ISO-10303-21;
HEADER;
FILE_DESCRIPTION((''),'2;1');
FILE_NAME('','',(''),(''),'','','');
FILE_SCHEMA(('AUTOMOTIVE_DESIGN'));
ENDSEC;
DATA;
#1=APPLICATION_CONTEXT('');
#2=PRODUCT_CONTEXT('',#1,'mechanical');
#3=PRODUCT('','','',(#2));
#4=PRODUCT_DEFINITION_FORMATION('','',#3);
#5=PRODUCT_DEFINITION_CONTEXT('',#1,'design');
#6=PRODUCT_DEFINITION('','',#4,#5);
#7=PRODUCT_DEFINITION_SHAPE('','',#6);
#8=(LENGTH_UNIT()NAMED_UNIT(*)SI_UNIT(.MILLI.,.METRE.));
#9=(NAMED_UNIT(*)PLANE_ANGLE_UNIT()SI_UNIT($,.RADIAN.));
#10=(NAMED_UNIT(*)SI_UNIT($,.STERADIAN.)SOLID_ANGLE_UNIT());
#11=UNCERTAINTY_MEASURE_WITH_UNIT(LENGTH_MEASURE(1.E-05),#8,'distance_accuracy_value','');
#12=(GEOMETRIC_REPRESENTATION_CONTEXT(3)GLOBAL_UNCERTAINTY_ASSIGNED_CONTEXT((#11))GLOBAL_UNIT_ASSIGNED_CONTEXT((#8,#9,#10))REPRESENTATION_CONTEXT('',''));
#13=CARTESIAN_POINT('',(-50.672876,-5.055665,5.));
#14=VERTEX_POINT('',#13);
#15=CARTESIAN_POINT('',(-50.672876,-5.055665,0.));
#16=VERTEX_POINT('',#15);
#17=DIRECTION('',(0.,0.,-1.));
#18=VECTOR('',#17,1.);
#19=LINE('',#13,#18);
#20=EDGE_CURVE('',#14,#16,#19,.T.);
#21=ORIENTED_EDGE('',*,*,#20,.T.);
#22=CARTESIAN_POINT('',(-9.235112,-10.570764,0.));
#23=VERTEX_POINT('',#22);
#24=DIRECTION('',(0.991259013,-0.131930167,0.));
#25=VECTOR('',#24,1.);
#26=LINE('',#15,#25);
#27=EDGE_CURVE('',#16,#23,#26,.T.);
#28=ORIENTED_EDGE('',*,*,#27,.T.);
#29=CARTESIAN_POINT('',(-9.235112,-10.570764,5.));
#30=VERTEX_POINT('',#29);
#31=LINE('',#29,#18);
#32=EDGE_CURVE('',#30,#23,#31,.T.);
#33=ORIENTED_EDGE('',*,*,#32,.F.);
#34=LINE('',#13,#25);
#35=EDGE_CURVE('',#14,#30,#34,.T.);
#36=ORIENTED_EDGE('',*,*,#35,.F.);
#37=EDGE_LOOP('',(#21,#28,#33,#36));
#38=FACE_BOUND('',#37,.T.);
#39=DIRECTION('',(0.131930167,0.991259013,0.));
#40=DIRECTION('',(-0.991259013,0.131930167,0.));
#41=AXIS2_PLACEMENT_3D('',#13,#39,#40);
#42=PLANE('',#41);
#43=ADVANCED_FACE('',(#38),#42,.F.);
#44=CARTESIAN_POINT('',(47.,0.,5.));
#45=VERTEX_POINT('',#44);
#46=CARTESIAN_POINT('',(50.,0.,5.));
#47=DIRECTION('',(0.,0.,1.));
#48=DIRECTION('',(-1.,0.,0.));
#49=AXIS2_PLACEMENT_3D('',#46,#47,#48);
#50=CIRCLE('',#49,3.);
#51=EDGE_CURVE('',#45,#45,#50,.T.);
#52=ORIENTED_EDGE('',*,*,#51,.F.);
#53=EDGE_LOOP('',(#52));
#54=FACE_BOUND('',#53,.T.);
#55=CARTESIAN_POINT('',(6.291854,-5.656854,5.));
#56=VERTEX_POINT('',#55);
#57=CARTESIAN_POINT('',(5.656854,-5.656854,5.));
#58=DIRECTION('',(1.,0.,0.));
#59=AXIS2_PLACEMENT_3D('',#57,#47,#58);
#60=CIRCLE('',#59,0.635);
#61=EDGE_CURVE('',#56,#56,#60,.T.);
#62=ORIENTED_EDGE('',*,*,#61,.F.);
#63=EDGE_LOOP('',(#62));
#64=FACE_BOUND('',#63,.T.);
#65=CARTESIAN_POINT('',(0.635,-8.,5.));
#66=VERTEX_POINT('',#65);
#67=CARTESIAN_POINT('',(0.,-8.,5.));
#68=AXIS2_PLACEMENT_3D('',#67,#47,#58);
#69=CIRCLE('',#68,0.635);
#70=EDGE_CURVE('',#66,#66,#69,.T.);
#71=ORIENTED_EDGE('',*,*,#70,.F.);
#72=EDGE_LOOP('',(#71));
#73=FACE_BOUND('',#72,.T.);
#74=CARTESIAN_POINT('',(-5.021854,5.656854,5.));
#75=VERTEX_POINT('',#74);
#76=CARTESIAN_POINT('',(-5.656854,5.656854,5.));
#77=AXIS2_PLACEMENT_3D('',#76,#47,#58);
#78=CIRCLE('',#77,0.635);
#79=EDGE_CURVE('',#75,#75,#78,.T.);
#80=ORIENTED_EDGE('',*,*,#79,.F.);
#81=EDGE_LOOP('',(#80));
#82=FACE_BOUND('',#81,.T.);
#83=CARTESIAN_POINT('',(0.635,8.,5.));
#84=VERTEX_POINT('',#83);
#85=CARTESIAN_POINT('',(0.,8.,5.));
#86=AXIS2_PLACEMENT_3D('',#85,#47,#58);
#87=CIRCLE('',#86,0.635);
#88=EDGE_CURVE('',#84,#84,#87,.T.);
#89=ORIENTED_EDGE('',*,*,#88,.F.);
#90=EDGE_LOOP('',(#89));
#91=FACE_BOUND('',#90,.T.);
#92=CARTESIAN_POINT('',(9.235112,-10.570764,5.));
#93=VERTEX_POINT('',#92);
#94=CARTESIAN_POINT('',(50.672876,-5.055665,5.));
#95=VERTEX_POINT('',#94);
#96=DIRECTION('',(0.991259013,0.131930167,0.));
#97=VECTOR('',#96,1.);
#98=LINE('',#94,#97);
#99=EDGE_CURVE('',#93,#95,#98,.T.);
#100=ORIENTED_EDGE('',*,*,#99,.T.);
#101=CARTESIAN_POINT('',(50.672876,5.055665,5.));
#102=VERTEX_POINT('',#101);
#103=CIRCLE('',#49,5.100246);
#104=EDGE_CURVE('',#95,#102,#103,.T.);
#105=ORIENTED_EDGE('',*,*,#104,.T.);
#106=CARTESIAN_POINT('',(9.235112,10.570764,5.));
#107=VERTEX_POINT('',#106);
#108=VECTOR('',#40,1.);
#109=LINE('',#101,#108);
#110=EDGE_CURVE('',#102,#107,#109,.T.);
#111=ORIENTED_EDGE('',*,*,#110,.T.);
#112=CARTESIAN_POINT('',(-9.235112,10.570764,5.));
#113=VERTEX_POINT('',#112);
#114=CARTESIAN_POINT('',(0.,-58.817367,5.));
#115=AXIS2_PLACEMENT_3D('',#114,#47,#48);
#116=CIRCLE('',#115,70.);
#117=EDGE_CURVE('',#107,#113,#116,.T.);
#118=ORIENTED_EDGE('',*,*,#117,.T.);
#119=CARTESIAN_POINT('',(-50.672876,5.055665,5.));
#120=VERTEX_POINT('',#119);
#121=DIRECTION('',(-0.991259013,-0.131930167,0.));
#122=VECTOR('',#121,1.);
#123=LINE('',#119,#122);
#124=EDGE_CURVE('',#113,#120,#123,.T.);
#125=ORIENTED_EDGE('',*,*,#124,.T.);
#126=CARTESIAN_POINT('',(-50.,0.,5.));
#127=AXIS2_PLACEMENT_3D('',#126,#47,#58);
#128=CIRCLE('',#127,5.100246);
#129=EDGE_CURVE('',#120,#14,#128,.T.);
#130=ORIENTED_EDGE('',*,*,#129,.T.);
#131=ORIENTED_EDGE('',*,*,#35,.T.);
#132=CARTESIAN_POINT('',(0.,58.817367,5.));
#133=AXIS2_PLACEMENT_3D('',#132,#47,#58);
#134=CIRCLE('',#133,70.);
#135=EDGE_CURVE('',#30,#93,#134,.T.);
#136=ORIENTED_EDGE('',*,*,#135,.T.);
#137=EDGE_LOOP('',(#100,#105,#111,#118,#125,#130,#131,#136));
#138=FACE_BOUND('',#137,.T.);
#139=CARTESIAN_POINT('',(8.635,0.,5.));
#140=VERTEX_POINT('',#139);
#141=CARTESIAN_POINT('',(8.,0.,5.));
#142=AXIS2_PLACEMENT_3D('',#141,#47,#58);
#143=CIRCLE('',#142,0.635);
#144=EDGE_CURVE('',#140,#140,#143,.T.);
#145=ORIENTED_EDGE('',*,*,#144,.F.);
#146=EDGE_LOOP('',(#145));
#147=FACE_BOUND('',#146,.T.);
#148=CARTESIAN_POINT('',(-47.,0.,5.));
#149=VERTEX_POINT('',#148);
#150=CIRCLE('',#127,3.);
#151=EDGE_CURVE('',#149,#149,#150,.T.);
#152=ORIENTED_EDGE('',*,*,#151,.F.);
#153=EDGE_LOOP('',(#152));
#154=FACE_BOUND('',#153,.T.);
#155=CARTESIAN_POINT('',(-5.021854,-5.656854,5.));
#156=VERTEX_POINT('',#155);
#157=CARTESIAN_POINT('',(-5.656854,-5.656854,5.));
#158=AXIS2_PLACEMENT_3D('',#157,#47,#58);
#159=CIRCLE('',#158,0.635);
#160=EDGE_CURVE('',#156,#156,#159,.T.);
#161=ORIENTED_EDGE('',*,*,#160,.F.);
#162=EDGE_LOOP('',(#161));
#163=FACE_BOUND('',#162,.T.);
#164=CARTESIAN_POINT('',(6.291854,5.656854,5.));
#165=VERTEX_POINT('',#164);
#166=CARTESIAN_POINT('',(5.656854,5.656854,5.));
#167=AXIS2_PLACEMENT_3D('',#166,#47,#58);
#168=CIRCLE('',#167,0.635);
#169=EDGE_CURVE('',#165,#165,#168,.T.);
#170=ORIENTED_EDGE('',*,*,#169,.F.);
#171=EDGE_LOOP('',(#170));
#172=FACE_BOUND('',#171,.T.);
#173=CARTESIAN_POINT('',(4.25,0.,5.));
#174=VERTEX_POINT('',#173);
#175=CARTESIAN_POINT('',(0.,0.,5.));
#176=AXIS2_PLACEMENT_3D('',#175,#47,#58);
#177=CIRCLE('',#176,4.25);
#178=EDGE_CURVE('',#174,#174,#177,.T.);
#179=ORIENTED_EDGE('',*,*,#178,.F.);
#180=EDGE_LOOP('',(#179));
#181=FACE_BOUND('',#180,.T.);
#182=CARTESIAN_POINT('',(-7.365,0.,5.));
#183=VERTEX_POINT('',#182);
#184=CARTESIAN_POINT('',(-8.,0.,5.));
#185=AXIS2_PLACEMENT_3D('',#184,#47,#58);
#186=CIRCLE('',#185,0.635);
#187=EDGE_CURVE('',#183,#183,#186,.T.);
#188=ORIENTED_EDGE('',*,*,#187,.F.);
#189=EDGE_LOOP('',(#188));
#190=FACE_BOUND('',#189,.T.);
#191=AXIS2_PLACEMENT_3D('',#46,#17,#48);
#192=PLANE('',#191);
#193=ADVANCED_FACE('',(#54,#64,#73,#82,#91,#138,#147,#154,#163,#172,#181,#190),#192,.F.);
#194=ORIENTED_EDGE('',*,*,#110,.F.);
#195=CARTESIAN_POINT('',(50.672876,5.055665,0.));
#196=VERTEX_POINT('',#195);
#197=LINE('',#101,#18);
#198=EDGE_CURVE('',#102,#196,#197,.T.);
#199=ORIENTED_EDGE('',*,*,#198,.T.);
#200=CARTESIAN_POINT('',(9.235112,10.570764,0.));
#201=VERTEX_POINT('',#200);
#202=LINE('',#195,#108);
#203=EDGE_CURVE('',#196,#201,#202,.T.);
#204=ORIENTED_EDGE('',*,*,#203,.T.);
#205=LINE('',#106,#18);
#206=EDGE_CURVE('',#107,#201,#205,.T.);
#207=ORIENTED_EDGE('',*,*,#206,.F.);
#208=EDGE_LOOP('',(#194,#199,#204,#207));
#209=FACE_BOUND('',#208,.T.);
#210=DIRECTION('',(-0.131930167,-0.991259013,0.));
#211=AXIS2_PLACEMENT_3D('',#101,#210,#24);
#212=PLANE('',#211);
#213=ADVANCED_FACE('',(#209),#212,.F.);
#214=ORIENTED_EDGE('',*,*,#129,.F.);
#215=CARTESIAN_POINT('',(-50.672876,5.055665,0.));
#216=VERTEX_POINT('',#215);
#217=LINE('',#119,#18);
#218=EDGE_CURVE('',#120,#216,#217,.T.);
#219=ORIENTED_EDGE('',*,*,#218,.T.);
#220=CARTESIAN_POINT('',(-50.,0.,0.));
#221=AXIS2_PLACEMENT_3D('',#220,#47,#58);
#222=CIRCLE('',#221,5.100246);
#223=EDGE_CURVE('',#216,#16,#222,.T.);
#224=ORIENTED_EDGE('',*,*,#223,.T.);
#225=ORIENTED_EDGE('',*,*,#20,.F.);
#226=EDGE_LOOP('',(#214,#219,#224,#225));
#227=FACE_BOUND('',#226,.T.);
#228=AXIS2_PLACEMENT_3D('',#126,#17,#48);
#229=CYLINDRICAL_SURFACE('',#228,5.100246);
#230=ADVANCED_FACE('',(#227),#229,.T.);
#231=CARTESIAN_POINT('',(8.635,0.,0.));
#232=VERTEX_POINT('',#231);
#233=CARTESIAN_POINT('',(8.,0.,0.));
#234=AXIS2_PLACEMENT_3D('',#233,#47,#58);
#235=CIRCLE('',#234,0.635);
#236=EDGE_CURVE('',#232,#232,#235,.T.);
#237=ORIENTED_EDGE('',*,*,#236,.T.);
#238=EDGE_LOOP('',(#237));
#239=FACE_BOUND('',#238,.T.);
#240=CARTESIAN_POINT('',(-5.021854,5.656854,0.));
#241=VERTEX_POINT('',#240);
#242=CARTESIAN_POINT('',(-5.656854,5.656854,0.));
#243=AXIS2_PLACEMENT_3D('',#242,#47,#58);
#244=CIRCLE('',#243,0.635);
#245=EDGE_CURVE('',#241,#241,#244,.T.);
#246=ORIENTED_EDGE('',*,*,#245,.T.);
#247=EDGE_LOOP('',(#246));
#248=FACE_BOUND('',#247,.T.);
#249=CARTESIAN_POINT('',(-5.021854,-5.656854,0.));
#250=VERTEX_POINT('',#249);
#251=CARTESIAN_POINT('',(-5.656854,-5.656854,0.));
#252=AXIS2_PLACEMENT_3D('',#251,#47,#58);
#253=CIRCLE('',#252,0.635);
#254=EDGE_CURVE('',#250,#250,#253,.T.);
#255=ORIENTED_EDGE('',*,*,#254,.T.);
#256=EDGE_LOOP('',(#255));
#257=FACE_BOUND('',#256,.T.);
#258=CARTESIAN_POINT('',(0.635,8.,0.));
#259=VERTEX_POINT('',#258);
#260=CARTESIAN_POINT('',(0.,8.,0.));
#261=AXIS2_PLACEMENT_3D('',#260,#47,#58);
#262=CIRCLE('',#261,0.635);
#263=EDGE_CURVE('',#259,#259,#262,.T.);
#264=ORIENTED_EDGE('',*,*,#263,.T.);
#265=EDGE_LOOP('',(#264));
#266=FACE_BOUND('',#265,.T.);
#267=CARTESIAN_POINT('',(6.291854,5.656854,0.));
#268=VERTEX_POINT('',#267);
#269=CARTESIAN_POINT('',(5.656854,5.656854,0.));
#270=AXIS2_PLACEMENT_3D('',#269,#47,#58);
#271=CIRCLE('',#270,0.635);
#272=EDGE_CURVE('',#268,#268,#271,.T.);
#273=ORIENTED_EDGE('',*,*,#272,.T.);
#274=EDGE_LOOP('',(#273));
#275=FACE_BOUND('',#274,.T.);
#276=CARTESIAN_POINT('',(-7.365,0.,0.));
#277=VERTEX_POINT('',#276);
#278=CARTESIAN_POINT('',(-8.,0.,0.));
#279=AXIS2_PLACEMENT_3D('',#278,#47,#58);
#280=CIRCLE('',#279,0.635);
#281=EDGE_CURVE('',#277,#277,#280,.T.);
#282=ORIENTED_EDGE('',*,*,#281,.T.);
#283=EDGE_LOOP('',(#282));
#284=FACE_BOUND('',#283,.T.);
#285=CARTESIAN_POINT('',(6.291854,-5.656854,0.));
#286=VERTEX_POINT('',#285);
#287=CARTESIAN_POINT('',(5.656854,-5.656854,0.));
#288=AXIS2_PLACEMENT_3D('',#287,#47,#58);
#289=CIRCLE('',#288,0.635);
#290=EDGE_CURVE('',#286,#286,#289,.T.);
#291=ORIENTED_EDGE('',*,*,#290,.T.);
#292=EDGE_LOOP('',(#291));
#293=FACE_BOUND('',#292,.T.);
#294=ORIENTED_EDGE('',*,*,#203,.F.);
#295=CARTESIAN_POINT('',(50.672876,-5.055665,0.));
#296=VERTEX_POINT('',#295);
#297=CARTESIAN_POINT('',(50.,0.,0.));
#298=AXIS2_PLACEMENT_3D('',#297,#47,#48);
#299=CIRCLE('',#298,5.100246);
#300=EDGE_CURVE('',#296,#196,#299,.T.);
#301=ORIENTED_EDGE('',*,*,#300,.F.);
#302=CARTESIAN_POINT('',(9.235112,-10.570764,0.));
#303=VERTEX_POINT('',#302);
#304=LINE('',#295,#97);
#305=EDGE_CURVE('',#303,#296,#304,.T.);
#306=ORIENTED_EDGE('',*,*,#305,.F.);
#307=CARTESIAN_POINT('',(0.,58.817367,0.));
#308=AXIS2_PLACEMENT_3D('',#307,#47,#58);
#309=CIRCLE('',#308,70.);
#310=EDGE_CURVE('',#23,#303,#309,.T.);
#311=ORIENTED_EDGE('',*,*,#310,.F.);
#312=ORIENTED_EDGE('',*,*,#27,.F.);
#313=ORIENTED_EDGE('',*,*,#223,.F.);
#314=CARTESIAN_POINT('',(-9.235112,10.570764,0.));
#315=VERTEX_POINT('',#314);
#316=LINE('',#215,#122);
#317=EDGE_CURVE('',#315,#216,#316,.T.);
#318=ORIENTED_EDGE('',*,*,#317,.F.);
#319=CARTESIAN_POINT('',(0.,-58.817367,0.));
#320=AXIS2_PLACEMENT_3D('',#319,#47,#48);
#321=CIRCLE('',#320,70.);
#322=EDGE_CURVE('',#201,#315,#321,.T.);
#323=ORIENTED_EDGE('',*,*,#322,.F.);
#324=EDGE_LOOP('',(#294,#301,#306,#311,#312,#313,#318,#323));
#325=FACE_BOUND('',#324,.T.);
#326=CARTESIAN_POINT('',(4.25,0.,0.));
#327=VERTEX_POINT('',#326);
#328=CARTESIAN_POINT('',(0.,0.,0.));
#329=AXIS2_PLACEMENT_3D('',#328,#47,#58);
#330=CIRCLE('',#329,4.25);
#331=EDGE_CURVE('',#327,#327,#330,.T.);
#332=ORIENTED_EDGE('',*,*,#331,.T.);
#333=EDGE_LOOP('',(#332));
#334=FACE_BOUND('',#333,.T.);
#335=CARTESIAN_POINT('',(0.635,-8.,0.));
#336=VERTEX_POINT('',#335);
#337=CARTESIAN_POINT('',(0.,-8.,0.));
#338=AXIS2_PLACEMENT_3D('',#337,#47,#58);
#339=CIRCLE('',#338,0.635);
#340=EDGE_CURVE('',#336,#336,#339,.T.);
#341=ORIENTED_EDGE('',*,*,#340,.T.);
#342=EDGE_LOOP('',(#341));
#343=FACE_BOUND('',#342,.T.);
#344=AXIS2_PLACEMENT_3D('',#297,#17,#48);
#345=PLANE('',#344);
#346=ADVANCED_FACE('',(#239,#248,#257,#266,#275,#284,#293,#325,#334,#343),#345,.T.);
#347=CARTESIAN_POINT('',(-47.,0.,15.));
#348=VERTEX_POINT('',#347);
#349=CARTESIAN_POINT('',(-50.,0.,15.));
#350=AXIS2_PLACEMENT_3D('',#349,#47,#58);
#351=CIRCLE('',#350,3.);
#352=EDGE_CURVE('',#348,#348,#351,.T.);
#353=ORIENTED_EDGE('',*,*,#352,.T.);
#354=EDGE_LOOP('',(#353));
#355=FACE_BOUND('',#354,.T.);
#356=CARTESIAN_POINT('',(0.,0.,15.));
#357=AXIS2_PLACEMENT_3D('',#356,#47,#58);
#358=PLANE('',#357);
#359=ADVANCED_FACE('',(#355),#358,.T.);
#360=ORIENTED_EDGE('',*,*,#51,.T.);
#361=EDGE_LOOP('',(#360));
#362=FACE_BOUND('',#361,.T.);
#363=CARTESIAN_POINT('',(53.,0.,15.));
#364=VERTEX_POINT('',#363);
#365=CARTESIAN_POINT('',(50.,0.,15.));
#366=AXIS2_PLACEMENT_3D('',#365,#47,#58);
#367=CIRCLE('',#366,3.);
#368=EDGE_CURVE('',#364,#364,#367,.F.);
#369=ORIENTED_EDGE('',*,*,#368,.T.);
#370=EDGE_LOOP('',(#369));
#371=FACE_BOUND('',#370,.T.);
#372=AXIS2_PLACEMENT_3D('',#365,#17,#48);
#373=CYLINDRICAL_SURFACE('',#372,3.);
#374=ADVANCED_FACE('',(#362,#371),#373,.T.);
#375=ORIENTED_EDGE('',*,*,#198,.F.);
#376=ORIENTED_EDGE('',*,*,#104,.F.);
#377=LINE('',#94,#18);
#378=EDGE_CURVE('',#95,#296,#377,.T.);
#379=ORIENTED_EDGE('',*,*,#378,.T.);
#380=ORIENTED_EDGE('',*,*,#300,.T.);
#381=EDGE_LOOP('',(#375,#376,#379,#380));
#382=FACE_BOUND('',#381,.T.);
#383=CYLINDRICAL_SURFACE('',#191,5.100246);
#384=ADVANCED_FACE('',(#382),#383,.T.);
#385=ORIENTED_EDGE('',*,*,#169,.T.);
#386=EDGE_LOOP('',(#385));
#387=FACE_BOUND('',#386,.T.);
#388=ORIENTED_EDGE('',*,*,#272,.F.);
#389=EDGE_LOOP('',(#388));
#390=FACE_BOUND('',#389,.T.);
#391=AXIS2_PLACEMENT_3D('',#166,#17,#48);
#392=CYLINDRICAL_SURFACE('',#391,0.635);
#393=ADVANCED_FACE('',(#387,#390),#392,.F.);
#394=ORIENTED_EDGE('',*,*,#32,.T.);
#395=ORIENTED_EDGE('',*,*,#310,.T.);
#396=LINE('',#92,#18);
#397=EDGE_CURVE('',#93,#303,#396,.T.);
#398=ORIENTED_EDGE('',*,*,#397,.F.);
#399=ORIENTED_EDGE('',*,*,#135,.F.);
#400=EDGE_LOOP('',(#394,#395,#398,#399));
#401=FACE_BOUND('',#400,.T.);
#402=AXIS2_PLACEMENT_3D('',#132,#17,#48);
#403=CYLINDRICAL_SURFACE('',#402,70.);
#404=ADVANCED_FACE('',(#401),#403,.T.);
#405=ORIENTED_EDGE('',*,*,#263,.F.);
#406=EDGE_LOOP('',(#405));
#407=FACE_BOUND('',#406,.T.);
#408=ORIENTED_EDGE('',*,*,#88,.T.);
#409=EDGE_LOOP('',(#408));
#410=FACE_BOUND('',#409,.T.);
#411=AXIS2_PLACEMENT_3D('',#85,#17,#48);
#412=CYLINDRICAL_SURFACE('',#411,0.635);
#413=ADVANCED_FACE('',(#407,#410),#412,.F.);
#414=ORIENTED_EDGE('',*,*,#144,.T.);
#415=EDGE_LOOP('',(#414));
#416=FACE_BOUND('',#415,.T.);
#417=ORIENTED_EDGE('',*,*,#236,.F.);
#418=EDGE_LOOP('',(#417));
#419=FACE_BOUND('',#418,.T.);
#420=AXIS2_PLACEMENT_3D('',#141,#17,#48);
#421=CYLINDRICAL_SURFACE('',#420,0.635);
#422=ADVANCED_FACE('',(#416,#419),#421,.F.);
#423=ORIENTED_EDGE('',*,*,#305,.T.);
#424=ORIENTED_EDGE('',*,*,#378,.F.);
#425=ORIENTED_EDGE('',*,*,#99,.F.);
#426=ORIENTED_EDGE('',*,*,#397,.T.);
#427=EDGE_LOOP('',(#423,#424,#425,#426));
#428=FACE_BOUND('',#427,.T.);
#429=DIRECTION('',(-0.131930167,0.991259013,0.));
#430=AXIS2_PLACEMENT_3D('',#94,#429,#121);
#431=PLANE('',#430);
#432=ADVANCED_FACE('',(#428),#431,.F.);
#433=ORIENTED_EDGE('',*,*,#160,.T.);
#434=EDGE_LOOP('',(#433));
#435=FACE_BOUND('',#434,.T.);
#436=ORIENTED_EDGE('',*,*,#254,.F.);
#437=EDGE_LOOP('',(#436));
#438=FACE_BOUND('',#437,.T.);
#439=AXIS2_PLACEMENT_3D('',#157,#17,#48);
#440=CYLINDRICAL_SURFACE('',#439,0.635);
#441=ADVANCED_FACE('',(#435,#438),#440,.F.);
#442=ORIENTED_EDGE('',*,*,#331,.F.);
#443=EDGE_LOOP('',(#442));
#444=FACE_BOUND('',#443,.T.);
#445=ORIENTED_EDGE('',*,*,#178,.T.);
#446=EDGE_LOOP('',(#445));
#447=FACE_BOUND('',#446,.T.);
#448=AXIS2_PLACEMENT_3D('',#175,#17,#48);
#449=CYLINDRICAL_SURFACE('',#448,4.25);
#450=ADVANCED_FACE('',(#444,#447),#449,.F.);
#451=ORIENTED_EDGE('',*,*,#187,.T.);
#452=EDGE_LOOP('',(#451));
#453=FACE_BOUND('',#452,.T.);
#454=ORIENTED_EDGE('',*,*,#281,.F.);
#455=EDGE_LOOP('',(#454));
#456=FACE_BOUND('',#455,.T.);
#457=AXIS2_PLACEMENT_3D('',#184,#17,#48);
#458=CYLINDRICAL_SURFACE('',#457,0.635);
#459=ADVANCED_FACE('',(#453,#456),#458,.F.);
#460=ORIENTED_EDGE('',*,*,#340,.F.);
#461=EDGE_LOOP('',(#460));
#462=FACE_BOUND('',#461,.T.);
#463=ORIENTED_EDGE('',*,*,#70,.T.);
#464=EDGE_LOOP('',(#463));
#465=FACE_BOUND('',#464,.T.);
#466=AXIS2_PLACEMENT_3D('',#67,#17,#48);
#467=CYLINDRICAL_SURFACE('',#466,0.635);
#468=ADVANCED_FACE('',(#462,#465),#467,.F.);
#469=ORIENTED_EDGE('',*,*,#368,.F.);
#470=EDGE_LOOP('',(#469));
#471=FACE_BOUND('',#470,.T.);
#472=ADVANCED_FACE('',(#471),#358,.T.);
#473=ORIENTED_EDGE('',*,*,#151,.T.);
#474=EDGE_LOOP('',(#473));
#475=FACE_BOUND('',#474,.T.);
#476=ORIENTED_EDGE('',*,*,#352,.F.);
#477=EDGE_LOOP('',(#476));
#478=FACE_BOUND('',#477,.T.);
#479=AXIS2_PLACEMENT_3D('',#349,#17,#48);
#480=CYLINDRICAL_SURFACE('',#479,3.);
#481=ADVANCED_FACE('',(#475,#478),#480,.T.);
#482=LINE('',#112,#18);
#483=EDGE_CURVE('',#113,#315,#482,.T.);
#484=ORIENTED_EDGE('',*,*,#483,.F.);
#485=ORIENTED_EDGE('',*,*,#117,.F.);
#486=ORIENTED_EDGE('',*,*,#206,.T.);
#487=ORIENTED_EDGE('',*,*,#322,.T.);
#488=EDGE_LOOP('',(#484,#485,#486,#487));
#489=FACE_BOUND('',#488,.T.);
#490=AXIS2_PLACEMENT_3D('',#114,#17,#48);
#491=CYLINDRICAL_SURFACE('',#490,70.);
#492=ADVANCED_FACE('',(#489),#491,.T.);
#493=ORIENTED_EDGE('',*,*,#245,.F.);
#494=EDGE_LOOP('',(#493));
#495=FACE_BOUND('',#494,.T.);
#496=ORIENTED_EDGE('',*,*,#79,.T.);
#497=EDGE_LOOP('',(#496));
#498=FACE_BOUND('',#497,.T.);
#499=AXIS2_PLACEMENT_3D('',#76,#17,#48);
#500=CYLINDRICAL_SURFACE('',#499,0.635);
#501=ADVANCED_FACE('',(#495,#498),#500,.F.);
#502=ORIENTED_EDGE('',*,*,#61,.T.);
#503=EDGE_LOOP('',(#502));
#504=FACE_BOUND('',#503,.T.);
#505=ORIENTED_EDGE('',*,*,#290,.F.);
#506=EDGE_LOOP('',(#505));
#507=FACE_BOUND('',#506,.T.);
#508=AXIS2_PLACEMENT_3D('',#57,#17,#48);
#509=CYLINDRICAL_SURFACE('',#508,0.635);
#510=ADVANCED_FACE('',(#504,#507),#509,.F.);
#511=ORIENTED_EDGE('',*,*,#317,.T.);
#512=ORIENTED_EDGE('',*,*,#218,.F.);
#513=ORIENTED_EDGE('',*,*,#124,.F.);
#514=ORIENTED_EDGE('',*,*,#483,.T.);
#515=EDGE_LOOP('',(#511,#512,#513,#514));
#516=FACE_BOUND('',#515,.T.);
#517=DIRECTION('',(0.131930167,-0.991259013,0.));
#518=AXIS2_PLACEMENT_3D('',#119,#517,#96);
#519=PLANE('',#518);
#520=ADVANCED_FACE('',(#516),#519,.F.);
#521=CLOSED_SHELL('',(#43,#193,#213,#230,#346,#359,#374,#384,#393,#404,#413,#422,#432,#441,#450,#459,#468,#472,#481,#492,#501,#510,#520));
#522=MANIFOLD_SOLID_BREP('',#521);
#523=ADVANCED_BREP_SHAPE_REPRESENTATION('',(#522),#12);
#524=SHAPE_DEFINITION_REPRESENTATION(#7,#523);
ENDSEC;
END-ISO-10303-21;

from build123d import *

# Parameters (mm, degrees)
SZKIC1_R                    = 4.25
SZKIC1_R_2                  = 0.635
SZKIC1_R_3                  = 3
DODANIE_WYCI_GNI_CIE1_DEPTH = 5
SZKIC1_2_R                  = 3
DODANIE_WYCI_GNI_CIE2_DEPTH = 15


with BuildPart() as part:
    # Szkic1 → Dodanie-wyci_gni_cie1 (new body)
    with BuildSketch(Plane.XY):
        with BuildLine():
            Line((-50.67287635, 5.055665151), (-9.235111676, 10.570763761))
            ThreePointArc((-9.235111676, 10.570763761), (0, 11.182632843), (9.235111676, 10.570763761))
            Line((9.235111676, 10.570763761), (50.67287635, 5.055665151))
            ThreePointArc((50.67287635, 5.055665151), (55.100246338, 0), (50.67287635, -5.055665151))
            Line((50.67287635, -5.055665151), (9.235111676, -10.570763761))
            ThreePointArc((9.235111676, -10.570763761), (0, -11.182632843), (-9.235111676, -10.570763761))
            Line((-9.235111676, -10.570763761), (-50.67287635, -5.055665151))
            ThreePointArc((-50.67287635, -5.055665151), (-55.100246338, 0), (-50.67287635, 5.055665151))
        make_face()
        Circle(SZKIC1_R, mode=Mode.SUBTRACT)
        with Locations((-5.656854249, 5.656854249)):
            Circle(SZKIC1_R_2, mode=Mode.SUBTRACT)
        with Locations((-8, 0)):
            Circle(SZKIC1_R_2, mode=Mode.SUBTRACT)
        with Locations((0, 8)):
            Circle(SZKIC1_R_2, mode=Mode.SUBTRACT)
        with Locations((5.656854249, 5.656854249)):
            Circle(SZKIC1_R_2, mode=Mode.SUBTRACT)
        with Locations((-50, 0)):
            Circle(SZKIC1_R_3, mode=Mode.SUBTRACT)
        with Locations((50, 0)):
            Circle(SZKIC1_R_3, mode=Mode.SUBTRACT)
        with Locations((8, 0)):
            Circle(SZKIC1_R_2, mode=Mode.SUBTRACT)
        with Locations((5.656854249, -5.656854249)):
            Circle(SZKIC1_R_2, mode=Mode.SUBTRACT)
        with Locations((0, -8)):
            Circle(SZKIC1_R_2, mode=Mode.SUBTRACT)
        with Locations((-5.656854249, -5.656854249)):
            Circle(SZKIC1_R_2, mode=Mode.SUBTRACT)
    extrude(amount=DODANIE_WYCI_GNI_CIE1_DEPTH)

    # Szkic1_2 → Dodanie-wyci_gni_cie2 (add)
    with BuildSketch(Plane.XY):
        with Locations((-50, 0)):
            Circle(SZKIC1_2_R)
        with Locations((50, 0)):
            Circle(SZKIC1_2_R)
    extrude(amount=DODANIE_WYCI_GNI_CIE2_DEPTH)


solid = part.part
